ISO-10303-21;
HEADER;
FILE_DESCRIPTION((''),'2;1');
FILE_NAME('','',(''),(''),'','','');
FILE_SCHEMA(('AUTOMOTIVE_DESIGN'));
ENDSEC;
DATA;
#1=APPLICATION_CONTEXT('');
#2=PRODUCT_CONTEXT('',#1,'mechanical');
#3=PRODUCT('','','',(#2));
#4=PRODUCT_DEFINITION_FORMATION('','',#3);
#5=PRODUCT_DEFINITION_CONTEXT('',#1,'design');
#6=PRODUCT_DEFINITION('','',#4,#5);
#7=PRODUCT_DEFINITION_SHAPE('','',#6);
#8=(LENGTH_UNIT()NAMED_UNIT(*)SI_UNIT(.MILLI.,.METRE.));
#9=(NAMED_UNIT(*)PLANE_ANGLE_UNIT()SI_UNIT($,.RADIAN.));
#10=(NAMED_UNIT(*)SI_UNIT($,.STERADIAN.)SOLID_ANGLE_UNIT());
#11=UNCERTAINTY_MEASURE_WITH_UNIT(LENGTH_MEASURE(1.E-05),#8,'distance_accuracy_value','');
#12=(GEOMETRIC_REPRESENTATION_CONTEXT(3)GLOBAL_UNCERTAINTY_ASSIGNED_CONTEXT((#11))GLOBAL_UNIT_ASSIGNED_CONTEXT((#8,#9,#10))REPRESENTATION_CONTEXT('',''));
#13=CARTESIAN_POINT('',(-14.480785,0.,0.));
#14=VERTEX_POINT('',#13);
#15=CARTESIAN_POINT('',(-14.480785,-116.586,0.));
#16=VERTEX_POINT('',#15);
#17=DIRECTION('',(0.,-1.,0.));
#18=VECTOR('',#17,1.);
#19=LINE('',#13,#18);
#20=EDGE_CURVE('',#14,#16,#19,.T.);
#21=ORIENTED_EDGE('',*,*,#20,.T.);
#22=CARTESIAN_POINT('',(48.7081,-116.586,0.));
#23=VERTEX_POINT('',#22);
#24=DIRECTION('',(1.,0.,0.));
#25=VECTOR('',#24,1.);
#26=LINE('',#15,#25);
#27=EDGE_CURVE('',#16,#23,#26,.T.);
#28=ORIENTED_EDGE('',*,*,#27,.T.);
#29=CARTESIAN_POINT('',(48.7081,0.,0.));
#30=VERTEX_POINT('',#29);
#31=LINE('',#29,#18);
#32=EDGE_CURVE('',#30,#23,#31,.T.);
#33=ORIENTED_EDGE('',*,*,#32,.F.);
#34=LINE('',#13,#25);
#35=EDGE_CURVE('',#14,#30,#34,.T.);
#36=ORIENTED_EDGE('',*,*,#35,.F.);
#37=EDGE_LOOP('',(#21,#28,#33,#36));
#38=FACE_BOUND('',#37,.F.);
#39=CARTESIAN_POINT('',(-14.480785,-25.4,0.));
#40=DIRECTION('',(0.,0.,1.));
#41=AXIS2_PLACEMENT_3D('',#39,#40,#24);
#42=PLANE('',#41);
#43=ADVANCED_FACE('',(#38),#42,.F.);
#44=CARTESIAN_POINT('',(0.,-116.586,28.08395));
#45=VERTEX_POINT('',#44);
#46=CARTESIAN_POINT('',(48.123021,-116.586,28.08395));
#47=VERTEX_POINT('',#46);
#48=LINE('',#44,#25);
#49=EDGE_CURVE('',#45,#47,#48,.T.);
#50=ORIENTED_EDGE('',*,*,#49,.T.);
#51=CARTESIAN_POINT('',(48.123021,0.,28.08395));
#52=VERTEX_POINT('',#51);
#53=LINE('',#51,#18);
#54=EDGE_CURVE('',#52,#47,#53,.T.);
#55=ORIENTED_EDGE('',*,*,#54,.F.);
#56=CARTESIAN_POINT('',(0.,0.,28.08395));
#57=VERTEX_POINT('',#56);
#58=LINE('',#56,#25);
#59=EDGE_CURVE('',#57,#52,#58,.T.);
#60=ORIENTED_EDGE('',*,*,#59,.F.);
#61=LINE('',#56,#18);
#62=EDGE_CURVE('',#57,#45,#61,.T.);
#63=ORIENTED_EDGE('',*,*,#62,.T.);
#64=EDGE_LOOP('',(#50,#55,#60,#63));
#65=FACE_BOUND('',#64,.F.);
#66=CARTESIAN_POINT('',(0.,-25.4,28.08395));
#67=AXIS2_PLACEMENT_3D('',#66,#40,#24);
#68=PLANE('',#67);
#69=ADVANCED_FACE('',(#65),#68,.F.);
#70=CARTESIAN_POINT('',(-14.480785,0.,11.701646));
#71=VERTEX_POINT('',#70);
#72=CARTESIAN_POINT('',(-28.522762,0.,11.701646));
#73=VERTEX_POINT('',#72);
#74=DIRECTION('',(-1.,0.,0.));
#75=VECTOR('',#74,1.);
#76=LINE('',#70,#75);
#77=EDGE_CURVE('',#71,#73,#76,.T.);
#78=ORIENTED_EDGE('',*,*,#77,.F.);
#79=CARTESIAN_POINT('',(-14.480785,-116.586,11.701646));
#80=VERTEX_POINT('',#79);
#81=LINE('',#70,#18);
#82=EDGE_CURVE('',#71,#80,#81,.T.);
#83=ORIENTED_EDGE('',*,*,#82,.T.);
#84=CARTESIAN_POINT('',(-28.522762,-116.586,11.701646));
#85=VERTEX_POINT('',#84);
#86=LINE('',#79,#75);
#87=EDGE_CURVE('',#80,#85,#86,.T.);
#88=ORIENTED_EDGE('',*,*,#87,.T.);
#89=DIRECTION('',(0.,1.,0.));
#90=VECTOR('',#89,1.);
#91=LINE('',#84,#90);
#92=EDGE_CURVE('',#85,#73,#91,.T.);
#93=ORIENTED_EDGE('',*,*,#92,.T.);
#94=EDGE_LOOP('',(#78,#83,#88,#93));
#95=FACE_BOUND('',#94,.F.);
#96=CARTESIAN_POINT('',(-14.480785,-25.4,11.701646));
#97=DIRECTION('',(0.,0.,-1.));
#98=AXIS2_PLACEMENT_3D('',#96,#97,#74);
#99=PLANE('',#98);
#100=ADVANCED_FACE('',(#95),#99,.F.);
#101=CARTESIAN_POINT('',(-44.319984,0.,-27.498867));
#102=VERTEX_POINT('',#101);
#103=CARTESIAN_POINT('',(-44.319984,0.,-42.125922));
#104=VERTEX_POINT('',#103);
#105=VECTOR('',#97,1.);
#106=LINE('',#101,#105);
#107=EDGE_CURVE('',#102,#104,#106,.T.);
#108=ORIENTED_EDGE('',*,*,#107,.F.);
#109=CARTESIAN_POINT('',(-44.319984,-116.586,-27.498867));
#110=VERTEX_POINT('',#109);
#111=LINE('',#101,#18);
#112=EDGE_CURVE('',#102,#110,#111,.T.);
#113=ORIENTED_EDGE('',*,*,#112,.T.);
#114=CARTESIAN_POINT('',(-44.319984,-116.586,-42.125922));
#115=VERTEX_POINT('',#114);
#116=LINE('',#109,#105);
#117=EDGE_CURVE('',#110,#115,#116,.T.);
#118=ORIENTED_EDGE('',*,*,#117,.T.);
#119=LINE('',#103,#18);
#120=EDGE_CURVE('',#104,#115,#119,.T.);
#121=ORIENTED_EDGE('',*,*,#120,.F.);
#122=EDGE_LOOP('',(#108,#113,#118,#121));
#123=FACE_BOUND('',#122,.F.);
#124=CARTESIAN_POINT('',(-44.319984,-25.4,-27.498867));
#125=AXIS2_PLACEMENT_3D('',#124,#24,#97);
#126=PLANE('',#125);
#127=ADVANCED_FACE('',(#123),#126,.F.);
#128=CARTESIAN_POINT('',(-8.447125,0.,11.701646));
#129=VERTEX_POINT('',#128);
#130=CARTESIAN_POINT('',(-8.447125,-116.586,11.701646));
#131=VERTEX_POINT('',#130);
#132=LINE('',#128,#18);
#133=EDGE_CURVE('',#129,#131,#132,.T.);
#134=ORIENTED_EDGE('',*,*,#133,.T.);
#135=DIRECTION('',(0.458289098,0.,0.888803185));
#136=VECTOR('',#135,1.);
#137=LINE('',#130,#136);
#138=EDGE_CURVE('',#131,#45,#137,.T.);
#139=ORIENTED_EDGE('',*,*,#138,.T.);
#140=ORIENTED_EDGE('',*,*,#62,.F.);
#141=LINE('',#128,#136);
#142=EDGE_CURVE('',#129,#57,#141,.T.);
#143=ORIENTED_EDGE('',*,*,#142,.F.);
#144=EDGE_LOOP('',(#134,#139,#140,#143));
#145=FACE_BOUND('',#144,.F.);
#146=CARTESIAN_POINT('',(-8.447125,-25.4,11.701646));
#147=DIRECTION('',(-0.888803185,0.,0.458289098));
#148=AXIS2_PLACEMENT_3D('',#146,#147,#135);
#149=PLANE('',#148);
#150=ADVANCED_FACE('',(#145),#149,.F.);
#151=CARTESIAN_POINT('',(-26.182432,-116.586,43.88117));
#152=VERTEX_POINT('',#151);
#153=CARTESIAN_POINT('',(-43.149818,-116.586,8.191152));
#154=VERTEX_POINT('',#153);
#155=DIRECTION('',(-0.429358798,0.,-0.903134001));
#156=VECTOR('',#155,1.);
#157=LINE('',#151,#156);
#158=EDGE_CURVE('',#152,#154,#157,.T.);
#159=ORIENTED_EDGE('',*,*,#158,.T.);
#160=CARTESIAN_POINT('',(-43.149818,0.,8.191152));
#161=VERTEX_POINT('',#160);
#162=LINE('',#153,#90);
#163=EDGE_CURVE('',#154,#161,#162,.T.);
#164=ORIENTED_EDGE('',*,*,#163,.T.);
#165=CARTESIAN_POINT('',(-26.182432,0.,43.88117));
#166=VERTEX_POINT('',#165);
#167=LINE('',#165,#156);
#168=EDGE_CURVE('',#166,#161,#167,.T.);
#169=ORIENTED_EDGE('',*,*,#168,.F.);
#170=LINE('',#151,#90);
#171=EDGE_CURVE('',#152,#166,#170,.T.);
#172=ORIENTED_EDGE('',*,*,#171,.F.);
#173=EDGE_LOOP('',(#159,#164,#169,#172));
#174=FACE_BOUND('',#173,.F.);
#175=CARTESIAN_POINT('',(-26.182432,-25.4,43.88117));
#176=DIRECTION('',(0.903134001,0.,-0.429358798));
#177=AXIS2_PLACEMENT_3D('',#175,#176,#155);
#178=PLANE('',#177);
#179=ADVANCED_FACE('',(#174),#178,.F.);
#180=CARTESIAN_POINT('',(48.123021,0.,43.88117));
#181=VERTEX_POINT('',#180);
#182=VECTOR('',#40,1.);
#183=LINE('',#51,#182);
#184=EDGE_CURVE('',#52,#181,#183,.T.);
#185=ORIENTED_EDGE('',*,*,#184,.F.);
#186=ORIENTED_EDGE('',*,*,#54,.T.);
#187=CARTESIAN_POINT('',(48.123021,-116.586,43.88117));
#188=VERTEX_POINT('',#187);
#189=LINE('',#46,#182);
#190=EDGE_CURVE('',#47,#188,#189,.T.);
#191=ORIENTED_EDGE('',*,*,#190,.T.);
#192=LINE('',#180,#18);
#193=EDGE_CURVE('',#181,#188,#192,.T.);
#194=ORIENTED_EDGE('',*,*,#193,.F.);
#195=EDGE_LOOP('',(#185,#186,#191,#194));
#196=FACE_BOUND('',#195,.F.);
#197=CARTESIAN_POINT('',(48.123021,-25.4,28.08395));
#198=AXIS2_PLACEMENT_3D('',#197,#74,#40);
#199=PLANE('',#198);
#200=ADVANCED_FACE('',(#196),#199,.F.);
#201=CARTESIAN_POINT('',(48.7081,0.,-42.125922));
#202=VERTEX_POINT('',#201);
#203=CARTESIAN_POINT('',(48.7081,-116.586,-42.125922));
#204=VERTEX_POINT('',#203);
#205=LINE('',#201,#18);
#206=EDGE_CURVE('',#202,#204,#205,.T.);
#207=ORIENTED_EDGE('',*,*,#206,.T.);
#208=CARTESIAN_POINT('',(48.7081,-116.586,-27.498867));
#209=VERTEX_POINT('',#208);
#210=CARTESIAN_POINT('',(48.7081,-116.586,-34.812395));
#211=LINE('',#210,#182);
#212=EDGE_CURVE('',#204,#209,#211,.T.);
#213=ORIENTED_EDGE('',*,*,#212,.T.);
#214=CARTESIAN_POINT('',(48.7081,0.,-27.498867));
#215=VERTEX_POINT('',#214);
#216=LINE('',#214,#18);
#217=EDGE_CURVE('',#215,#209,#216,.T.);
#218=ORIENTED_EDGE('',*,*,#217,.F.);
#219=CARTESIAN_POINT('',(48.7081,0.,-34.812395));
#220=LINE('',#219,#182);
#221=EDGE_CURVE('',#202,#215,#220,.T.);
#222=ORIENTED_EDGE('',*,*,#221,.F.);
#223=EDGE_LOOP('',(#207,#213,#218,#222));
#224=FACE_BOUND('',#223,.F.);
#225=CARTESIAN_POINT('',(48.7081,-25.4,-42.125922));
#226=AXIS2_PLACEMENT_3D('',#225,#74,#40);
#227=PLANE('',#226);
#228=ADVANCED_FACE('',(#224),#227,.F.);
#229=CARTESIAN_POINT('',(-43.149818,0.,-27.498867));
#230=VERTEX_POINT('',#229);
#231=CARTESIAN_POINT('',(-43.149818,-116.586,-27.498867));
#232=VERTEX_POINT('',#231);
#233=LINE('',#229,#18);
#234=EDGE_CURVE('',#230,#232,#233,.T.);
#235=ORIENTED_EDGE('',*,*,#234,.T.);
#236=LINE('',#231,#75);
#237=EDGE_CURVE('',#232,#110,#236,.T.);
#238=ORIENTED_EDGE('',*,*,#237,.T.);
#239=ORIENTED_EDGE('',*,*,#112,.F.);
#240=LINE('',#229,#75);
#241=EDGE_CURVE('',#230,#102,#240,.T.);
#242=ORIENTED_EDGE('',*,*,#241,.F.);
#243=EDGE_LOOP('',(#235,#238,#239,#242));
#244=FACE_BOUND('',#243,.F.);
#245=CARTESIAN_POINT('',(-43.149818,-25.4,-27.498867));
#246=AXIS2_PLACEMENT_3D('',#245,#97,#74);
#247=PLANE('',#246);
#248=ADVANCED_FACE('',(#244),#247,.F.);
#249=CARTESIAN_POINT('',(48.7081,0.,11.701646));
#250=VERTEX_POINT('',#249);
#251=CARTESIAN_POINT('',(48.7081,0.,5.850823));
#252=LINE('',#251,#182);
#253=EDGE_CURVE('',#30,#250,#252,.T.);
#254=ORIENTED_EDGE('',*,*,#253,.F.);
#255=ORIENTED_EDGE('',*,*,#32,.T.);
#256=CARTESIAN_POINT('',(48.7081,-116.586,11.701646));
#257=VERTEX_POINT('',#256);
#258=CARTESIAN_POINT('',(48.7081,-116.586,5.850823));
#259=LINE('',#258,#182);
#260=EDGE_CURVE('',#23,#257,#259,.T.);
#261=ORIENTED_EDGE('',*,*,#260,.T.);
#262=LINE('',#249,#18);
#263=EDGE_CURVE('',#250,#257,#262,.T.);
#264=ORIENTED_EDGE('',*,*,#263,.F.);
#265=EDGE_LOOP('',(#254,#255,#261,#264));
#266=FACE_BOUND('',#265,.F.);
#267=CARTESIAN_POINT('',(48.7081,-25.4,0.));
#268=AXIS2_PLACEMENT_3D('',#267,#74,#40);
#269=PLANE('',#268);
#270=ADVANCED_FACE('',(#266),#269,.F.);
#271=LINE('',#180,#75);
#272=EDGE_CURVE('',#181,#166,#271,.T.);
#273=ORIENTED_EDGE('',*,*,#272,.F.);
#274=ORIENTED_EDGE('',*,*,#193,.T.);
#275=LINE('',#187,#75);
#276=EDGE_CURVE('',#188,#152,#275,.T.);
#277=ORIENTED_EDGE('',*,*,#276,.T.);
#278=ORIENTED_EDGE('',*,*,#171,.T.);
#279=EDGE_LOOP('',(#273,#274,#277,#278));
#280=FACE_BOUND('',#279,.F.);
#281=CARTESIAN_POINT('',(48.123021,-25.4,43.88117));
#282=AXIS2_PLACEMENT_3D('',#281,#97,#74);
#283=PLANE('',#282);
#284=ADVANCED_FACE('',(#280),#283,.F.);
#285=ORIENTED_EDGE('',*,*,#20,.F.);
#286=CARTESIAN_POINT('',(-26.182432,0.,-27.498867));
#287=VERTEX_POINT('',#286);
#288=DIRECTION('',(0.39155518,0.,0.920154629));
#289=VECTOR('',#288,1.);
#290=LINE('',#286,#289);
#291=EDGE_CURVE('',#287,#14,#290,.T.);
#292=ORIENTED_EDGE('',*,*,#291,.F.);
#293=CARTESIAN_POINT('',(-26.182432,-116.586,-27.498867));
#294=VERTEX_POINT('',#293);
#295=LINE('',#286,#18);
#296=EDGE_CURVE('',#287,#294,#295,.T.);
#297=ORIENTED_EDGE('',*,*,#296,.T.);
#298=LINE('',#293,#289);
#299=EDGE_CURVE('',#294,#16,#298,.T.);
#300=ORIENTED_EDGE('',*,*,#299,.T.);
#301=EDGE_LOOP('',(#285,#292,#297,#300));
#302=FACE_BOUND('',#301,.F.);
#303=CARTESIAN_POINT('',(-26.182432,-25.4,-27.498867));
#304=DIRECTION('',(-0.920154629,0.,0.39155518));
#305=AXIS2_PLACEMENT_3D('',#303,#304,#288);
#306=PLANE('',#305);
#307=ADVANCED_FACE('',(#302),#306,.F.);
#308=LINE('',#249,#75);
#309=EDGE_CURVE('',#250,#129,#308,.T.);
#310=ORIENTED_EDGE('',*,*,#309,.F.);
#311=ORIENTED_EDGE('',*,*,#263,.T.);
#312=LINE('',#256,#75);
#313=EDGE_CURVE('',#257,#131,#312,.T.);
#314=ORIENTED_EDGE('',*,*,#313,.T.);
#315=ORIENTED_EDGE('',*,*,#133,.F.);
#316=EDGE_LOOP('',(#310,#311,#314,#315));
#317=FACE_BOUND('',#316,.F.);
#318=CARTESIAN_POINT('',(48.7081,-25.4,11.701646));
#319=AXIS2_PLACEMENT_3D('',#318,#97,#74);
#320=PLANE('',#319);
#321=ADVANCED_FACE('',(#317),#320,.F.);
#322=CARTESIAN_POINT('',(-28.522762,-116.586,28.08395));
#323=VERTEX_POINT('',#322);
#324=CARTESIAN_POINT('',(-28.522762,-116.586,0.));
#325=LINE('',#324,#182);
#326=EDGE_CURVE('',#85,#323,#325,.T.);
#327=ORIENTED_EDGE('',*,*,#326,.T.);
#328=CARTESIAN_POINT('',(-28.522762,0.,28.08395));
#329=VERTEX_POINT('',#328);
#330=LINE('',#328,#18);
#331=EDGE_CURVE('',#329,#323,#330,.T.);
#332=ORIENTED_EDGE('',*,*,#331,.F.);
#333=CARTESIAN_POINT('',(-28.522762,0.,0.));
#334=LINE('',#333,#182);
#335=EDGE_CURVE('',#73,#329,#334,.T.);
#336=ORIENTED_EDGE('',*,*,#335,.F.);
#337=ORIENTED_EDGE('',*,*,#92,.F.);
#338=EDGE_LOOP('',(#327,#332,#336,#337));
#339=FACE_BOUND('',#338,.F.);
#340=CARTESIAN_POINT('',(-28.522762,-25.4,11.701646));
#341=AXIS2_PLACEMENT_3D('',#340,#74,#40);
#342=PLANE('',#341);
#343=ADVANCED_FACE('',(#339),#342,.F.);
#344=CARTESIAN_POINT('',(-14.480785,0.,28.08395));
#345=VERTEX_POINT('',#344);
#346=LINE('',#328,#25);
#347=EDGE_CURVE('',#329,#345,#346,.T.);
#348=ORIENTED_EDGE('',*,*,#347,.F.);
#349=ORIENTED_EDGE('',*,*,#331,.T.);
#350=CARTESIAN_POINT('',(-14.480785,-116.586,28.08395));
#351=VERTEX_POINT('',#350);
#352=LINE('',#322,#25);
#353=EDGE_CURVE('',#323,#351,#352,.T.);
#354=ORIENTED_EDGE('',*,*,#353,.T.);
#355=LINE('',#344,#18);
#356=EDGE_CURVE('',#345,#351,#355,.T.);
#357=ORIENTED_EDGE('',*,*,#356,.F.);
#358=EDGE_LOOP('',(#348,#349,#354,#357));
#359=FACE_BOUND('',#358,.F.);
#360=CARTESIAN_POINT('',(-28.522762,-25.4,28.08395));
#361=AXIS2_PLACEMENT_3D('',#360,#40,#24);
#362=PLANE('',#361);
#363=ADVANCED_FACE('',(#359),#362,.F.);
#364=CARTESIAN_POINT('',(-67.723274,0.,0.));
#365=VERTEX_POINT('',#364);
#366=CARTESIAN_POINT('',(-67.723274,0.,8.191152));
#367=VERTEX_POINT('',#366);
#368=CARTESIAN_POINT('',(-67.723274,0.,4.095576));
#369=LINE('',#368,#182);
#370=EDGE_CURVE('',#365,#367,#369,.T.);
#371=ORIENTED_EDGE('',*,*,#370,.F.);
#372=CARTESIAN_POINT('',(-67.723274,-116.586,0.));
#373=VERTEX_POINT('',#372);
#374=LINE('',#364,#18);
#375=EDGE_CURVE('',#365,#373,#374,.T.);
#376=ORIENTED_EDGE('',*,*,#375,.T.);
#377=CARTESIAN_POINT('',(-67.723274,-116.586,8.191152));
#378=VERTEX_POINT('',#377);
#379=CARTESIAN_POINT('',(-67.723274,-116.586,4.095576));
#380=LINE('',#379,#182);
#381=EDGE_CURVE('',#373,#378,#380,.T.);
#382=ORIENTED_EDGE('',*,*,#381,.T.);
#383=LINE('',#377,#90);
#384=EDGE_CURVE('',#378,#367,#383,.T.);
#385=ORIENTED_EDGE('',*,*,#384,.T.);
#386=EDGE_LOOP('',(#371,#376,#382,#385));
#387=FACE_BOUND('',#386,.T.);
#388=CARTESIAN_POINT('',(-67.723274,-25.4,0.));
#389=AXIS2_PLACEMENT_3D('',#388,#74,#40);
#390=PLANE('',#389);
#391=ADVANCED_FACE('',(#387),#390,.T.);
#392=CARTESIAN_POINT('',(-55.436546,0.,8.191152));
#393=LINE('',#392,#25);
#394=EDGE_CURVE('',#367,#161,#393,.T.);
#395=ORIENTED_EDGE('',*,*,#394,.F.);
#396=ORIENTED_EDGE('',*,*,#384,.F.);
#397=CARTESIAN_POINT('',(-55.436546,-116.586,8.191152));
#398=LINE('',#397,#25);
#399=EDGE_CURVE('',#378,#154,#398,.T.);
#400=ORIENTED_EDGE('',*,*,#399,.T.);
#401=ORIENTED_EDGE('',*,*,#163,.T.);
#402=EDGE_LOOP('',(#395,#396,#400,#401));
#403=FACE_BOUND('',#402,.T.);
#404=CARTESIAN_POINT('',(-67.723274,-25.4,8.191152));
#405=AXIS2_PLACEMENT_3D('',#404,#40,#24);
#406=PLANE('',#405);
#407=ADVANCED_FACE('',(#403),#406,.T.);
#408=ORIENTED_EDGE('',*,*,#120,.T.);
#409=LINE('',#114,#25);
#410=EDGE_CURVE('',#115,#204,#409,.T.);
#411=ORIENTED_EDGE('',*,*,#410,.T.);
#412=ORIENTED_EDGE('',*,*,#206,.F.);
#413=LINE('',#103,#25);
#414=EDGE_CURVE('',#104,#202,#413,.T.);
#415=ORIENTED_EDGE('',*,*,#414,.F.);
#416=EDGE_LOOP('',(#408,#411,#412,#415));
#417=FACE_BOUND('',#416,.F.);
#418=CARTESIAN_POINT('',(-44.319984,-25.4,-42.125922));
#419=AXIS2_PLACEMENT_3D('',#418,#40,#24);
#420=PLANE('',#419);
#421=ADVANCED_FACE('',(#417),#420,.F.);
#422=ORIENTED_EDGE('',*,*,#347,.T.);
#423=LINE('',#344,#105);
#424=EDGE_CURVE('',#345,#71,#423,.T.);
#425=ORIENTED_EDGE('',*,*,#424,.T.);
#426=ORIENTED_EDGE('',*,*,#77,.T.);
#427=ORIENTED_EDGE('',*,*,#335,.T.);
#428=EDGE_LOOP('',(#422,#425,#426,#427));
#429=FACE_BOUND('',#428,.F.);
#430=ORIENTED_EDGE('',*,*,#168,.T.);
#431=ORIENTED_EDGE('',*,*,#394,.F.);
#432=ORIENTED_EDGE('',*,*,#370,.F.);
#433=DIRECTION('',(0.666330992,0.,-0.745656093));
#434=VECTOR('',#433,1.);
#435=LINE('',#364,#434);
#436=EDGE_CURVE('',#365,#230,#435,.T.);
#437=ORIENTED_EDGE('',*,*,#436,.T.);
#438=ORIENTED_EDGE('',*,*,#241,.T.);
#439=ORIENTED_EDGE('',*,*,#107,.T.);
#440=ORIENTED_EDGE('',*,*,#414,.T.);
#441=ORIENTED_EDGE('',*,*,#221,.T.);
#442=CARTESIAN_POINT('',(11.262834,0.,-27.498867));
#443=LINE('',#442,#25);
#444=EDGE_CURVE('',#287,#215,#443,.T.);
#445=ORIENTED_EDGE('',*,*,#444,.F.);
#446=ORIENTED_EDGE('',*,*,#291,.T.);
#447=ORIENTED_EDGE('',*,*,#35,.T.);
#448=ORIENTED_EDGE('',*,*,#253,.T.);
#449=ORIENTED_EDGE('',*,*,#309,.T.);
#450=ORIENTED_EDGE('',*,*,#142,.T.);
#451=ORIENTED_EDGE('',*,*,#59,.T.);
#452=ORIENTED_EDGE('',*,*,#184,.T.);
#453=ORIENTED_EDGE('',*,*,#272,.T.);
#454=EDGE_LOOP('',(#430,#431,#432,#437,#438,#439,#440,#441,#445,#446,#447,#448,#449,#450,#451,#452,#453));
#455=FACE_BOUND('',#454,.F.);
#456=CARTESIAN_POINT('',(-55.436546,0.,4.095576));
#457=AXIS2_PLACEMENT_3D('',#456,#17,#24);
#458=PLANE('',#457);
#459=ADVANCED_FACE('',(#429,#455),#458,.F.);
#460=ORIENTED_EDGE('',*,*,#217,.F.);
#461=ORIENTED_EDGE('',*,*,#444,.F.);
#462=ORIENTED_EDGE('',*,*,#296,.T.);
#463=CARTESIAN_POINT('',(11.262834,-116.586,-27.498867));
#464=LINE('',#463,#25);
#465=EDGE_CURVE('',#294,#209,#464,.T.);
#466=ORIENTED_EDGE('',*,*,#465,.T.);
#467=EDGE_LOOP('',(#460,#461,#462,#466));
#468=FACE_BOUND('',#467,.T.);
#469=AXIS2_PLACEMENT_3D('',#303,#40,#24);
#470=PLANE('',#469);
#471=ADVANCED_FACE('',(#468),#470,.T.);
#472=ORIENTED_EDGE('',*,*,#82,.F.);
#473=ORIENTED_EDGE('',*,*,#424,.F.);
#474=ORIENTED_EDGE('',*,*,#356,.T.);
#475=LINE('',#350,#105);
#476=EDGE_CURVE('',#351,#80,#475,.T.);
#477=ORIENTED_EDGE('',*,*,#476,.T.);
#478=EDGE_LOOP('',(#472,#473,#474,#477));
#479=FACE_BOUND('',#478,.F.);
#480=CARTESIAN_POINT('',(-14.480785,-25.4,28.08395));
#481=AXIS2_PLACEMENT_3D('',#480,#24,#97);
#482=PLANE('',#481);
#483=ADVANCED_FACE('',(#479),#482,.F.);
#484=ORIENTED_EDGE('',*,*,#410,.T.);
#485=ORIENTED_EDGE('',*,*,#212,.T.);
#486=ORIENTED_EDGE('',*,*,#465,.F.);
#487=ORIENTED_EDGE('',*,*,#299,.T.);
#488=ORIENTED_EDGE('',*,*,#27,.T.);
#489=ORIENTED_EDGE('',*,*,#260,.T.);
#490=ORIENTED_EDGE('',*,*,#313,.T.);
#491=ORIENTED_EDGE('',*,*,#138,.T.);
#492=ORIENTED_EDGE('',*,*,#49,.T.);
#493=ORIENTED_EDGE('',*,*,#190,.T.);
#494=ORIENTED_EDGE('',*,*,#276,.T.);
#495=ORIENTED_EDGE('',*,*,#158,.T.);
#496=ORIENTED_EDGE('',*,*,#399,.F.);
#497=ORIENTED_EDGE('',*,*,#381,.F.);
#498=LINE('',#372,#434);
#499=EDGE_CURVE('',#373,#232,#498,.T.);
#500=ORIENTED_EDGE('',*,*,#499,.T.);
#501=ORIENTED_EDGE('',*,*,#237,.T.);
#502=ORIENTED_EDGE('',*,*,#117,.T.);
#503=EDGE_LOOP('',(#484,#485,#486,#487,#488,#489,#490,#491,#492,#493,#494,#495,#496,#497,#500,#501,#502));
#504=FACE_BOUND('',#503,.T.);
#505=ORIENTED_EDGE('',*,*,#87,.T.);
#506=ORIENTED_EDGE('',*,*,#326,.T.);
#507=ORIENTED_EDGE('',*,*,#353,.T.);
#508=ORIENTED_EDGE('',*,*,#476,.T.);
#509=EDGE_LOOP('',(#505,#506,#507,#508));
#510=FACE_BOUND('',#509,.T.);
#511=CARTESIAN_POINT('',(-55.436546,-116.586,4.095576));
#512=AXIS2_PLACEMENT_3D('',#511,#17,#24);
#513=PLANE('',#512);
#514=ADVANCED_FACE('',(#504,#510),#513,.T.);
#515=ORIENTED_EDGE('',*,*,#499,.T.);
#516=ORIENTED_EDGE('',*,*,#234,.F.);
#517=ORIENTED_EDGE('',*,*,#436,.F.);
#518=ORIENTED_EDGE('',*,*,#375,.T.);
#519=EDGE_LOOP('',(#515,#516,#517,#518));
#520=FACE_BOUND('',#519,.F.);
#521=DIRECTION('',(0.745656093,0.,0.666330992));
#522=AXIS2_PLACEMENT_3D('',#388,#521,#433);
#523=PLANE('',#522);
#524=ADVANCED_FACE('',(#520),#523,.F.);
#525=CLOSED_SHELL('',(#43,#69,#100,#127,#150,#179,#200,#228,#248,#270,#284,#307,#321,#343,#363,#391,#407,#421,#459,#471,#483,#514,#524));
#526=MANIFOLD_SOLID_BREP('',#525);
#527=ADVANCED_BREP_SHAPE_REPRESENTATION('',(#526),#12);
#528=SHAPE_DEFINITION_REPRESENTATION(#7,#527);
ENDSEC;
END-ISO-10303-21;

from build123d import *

# Parameters (mm, degrees)
F0_W     = 24.573456496
F0_H     = 8.1911524758
F0_W_2   = 74.8905315995
F0_H_2   = 14.6270543337
F0_W_3   = 48.7080998719
F0_H_3   = 11.7016462609
F1_DEPTH = 25.4
F2_DEPTH = 91.186


with BuildPart() as f1:
    # F0 (on Front) → F1 (new body)
    with BuildSketch(Plane.XZ):
        with Locations((-55.436545983, 4.0955762379)):
            Rectangle(F0_W, F0_H)
        Polygon((-26.1824317276, 43.8811704516), (-43.149817735, 8.1911524758), (-43.149817735, 0), (-67.723274231, 0), (-43.149817735, -27.4988673627), (-26.1824317276, -27.4988673627), (-14.4807854667, 0), (-28.5227615386, 0), (-28.5227615386, 11.7016462609), (-28.5227615386, 28.0839502811), (-14.4807854667, 28.0839502811), (-14.4807854667, 11.7016462609), (-12.1404575184, 11.7016462609), (-8.4471246955, 11.7016462609), (0, 28.0839502811), (48.1230206788, 28.0839502811), (48.1230206788, 43.8811704516), align=None)
        Polygon((-26.1824317276, -27.4988673627), (-43.149817735, -27.4988673627), (-44.3199835718, -27.4988673627), (-44.3199835718, -42.1259216964), (-26.1824317276, -42.1259216964), align=None)
        with Locations((11.2628340721, -34.8123945296)):
            Rectangle(F0_W_2, F0_H_2)
        Polygon((-28.5227615386, 0), (-14.4807854667, 0), (-12.1404575184, 4.5388182771), (-12.1404575184, 11.7016462609), (-14.4807854667, 11.7016462609), (-28.5227615386, 11.7016462609), align=None)
        Polygon((-12.1404575184, 4.5388182771), (-14.4807854667, 0), (-12.1404575184, 0), align=None)
        Polygon((-12.1404575184, 11.7016462609), (-12.1404575184, 4.5388182771), (-8.4471246955, 11.7016462609), align=None)
        Polygon((-8.4471246955, 11.7016462609), (-12.1404575184, 4.5388182771), (-12.1404575184, 0), (0, 0), (0, 11.7016462609), align=None)
        with Locations((24.3540499359, 5.8508231305)):
            Rectangle(F0_W_3, F0_H_3)
    extrude(amount=F1_DEPTH)

    # F2 (add): a face of the model
    f2_faces = [f1.faces().sort_by_distance(p)[0] for p in [
        (-55.436545983, -25.4, 6.7436206186),
    ]]
    extrude(f2_faces, amount=F2_DEPTH)


solid = f1.part
